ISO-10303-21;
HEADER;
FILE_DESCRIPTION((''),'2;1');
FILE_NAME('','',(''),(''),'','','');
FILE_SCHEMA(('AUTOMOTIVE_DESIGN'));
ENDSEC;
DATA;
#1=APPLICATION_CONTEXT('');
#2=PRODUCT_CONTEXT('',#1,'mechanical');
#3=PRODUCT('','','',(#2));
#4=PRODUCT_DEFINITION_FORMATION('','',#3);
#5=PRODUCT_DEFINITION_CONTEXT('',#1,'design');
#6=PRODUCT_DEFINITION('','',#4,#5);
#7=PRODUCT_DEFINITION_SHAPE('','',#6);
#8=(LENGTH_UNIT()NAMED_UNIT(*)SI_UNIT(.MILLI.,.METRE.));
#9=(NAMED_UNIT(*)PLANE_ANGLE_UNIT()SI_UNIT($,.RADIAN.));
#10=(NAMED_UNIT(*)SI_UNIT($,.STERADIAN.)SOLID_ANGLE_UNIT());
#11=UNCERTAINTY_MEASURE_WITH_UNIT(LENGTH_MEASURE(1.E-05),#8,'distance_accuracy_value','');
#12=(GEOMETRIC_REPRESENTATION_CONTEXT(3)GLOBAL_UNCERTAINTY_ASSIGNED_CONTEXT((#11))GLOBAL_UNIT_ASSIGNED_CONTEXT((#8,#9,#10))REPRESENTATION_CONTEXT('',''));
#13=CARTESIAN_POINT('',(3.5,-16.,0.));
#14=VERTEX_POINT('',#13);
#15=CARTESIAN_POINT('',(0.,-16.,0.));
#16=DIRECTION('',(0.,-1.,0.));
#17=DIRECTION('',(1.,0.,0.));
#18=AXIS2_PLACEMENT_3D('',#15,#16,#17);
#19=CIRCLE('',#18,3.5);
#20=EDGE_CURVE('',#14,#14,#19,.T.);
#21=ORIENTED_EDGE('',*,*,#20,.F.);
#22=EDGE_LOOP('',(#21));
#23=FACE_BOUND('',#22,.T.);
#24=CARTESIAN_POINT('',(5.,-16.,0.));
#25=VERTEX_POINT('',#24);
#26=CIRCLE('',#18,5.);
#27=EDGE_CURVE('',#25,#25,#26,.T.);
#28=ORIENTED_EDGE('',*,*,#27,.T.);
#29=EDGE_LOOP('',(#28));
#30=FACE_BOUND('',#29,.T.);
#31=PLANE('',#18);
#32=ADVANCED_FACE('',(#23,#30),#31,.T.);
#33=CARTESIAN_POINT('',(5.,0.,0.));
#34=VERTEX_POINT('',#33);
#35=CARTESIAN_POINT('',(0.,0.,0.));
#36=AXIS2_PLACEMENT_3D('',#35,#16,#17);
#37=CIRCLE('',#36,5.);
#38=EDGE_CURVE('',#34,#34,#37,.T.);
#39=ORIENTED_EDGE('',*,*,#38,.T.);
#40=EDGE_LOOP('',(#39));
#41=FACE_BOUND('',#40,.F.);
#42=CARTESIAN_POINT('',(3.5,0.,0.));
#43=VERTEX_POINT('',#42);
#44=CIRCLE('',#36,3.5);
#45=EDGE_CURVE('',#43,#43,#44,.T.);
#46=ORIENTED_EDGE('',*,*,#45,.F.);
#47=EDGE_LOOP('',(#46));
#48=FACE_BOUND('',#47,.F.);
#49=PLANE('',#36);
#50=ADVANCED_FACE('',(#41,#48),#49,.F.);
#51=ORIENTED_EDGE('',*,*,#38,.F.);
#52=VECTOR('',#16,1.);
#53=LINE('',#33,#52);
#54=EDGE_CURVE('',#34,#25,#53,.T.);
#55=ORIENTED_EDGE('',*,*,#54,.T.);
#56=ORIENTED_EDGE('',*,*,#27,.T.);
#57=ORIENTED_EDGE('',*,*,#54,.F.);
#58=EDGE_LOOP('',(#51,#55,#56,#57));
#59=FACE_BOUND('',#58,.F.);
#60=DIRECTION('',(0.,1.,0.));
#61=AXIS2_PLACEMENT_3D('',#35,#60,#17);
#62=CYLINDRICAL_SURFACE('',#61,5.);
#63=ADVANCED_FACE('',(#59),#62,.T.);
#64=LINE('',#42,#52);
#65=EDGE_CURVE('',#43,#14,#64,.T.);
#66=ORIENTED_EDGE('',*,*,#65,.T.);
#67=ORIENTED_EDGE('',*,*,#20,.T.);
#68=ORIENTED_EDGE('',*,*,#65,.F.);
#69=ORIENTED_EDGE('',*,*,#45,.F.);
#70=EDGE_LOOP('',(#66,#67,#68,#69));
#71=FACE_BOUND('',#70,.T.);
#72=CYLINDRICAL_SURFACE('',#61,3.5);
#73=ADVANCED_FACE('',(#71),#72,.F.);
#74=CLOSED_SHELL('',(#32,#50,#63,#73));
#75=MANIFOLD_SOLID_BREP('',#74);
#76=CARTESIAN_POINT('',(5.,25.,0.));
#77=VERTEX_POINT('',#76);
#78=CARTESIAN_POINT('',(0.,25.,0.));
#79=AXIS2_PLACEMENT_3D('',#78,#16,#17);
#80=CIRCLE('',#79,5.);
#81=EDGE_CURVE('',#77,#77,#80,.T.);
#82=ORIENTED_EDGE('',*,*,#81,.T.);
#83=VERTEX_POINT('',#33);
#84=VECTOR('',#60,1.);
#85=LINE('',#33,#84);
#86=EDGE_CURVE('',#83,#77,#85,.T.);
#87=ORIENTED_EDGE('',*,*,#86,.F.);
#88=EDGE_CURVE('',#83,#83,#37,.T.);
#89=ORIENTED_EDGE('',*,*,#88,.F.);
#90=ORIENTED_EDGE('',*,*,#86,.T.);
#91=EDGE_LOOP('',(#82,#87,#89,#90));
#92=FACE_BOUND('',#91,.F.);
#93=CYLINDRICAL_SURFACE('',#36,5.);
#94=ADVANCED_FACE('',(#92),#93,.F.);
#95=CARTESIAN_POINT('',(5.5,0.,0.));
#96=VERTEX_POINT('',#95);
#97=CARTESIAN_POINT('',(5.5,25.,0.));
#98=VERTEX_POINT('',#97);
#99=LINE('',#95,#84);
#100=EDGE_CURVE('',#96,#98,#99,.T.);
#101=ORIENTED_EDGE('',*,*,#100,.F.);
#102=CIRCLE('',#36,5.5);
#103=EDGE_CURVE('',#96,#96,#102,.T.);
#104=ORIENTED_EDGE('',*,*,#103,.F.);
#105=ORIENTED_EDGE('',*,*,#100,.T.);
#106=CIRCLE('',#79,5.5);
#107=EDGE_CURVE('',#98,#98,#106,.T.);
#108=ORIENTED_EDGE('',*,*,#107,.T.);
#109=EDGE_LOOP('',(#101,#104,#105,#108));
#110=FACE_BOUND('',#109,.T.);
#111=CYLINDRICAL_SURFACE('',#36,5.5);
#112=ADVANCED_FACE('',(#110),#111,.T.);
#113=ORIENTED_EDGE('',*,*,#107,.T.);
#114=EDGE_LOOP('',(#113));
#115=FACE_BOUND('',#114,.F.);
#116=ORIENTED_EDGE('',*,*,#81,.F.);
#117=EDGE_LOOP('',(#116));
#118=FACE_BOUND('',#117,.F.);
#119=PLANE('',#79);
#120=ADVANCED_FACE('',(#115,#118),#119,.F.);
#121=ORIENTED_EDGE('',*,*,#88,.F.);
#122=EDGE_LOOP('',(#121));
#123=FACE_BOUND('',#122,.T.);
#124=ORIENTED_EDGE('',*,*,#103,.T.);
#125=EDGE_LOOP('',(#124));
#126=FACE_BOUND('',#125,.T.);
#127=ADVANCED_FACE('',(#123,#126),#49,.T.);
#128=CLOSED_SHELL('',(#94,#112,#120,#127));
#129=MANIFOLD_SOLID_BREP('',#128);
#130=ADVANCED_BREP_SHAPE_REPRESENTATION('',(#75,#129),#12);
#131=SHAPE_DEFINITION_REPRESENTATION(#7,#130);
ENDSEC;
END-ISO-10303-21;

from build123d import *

# Parameters (mm, degrees)
F0_R     = 5
F0_R_2   = 3.5
F1_DEPTH = 16
F0_R_3   = 5.5
F2_DEPTH = 25


with BuildPart() as f1:
    # F0 (on Front) → F1 (new body)
    with BuildSketch(Plane.XZ):
        Circle(F0_R)
        Circle(F0_R_2, mode=Mode.SUBTRACT)
    extrude(amount=F1_DEPTH)


with BuildPart() as f2:
    # F0 (on Front) → F2 (new body)
    with BuildSketch(Plane.XZ):
        Circle(F0_R_3)
        Circle(F0_R, mode=Mode.SUBTRACT)
    extrude(amount=-F2_DEPTH)


solid = Compound([f1.part, f2.part])
